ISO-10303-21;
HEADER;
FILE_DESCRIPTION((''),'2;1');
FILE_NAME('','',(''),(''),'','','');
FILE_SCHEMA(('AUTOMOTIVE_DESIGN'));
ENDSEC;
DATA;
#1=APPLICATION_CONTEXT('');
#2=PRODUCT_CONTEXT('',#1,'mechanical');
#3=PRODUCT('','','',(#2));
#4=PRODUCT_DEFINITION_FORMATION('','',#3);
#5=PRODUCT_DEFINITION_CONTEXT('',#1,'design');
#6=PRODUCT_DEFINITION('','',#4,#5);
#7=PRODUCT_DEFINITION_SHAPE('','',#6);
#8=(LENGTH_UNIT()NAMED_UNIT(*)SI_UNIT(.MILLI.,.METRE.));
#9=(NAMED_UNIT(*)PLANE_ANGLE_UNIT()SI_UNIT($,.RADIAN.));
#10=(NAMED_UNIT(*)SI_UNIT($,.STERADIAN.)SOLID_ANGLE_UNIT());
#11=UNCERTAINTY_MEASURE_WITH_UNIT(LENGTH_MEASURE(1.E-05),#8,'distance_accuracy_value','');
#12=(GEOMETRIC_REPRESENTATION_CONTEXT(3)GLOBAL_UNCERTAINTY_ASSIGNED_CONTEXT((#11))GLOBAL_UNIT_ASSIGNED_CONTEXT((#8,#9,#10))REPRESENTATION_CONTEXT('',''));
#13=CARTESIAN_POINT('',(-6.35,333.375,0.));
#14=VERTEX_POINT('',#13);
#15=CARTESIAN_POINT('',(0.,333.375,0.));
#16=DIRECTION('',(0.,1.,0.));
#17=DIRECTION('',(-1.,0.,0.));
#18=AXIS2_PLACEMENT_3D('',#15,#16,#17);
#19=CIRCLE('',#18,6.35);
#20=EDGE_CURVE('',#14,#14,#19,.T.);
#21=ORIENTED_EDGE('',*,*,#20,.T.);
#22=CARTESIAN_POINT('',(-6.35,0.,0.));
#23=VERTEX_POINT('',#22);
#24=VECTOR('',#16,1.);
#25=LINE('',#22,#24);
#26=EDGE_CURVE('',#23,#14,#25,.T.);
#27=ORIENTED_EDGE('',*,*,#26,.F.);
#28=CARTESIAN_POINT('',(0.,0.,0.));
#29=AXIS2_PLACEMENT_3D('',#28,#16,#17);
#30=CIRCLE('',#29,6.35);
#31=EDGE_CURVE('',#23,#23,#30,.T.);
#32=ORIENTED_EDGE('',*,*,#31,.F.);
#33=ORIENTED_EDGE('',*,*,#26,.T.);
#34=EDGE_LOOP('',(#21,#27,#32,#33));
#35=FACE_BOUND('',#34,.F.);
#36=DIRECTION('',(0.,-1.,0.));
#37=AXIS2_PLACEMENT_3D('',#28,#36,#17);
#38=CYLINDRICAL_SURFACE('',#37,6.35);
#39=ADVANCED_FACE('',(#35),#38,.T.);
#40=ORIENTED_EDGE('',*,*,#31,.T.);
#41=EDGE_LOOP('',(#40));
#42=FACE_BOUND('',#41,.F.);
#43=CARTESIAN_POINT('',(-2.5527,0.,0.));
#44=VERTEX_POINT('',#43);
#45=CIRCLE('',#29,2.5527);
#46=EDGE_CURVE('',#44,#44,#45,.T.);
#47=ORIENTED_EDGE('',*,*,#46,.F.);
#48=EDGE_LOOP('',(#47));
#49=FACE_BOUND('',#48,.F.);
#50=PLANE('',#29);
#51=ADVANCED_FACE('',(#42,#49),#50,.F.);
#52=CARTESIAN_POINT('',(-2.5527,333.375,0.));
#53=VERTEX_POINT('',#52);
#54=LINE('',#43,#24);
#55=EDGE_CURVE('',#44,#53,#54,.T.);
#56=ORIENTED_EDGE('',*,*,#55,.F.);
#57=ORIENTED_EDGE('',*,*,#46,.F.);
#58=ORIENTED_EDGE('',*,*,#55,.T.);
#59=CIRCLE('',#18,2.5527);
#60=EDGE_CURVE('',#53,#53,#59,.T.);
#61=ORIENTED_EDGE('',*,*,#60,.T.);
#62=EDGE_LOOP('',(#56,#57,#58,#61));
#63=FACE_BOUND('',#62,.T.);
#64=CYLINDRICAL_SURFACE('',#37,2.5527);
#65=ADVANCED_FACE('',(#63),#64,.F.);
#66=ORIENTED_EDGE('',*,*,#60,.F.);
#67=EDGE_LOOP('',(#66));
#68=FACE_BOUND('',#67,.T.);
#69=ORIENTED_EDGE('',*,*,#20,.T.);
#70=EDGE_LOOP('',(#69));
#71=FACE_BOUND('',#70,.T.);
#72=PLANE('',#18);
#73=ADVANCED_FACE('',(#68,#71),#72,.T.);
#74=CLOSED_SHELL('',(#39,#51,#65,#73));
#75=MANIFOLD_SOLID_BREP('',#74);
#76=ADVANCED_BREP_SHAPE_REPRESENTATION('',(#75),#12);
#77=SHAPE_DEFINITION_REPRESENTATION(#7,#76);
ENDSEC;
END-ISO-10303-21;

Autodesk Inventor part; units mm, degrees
ref_plane "YZ Plane" through (0, 0, 0) normal (1, 0, 0) x (0, 1, 0)
ref_plane "XZ Plane" through (0, 0, 0) normal (0, 1, 0) x (-1, 0, 0)
ref_plane "XY Plane" through (0, 0, 0) normal (0, 0, 1) x (1, 0, 0)
sketch "Sketch1" plane through (0, 0, 0) normal (0, 1, 0) x (-1, 0, 0)
  circle A0 centre (0, 0) radius 6.35
  circle A1 centre (0, 0) radius 2.5527
  dimension "d0" = 12.7
  dimension "d1" = 5.1054
extrude "Extrusion1" add sketch "Sketch1" along normal blind 333.375
thread "Thread1" size "1/4-20 UNC" class "2B" standard "ANSI Unified Screw Threads" full length
properties part number "CORL_009_LongStandoff" material "Aluminum 6061"
